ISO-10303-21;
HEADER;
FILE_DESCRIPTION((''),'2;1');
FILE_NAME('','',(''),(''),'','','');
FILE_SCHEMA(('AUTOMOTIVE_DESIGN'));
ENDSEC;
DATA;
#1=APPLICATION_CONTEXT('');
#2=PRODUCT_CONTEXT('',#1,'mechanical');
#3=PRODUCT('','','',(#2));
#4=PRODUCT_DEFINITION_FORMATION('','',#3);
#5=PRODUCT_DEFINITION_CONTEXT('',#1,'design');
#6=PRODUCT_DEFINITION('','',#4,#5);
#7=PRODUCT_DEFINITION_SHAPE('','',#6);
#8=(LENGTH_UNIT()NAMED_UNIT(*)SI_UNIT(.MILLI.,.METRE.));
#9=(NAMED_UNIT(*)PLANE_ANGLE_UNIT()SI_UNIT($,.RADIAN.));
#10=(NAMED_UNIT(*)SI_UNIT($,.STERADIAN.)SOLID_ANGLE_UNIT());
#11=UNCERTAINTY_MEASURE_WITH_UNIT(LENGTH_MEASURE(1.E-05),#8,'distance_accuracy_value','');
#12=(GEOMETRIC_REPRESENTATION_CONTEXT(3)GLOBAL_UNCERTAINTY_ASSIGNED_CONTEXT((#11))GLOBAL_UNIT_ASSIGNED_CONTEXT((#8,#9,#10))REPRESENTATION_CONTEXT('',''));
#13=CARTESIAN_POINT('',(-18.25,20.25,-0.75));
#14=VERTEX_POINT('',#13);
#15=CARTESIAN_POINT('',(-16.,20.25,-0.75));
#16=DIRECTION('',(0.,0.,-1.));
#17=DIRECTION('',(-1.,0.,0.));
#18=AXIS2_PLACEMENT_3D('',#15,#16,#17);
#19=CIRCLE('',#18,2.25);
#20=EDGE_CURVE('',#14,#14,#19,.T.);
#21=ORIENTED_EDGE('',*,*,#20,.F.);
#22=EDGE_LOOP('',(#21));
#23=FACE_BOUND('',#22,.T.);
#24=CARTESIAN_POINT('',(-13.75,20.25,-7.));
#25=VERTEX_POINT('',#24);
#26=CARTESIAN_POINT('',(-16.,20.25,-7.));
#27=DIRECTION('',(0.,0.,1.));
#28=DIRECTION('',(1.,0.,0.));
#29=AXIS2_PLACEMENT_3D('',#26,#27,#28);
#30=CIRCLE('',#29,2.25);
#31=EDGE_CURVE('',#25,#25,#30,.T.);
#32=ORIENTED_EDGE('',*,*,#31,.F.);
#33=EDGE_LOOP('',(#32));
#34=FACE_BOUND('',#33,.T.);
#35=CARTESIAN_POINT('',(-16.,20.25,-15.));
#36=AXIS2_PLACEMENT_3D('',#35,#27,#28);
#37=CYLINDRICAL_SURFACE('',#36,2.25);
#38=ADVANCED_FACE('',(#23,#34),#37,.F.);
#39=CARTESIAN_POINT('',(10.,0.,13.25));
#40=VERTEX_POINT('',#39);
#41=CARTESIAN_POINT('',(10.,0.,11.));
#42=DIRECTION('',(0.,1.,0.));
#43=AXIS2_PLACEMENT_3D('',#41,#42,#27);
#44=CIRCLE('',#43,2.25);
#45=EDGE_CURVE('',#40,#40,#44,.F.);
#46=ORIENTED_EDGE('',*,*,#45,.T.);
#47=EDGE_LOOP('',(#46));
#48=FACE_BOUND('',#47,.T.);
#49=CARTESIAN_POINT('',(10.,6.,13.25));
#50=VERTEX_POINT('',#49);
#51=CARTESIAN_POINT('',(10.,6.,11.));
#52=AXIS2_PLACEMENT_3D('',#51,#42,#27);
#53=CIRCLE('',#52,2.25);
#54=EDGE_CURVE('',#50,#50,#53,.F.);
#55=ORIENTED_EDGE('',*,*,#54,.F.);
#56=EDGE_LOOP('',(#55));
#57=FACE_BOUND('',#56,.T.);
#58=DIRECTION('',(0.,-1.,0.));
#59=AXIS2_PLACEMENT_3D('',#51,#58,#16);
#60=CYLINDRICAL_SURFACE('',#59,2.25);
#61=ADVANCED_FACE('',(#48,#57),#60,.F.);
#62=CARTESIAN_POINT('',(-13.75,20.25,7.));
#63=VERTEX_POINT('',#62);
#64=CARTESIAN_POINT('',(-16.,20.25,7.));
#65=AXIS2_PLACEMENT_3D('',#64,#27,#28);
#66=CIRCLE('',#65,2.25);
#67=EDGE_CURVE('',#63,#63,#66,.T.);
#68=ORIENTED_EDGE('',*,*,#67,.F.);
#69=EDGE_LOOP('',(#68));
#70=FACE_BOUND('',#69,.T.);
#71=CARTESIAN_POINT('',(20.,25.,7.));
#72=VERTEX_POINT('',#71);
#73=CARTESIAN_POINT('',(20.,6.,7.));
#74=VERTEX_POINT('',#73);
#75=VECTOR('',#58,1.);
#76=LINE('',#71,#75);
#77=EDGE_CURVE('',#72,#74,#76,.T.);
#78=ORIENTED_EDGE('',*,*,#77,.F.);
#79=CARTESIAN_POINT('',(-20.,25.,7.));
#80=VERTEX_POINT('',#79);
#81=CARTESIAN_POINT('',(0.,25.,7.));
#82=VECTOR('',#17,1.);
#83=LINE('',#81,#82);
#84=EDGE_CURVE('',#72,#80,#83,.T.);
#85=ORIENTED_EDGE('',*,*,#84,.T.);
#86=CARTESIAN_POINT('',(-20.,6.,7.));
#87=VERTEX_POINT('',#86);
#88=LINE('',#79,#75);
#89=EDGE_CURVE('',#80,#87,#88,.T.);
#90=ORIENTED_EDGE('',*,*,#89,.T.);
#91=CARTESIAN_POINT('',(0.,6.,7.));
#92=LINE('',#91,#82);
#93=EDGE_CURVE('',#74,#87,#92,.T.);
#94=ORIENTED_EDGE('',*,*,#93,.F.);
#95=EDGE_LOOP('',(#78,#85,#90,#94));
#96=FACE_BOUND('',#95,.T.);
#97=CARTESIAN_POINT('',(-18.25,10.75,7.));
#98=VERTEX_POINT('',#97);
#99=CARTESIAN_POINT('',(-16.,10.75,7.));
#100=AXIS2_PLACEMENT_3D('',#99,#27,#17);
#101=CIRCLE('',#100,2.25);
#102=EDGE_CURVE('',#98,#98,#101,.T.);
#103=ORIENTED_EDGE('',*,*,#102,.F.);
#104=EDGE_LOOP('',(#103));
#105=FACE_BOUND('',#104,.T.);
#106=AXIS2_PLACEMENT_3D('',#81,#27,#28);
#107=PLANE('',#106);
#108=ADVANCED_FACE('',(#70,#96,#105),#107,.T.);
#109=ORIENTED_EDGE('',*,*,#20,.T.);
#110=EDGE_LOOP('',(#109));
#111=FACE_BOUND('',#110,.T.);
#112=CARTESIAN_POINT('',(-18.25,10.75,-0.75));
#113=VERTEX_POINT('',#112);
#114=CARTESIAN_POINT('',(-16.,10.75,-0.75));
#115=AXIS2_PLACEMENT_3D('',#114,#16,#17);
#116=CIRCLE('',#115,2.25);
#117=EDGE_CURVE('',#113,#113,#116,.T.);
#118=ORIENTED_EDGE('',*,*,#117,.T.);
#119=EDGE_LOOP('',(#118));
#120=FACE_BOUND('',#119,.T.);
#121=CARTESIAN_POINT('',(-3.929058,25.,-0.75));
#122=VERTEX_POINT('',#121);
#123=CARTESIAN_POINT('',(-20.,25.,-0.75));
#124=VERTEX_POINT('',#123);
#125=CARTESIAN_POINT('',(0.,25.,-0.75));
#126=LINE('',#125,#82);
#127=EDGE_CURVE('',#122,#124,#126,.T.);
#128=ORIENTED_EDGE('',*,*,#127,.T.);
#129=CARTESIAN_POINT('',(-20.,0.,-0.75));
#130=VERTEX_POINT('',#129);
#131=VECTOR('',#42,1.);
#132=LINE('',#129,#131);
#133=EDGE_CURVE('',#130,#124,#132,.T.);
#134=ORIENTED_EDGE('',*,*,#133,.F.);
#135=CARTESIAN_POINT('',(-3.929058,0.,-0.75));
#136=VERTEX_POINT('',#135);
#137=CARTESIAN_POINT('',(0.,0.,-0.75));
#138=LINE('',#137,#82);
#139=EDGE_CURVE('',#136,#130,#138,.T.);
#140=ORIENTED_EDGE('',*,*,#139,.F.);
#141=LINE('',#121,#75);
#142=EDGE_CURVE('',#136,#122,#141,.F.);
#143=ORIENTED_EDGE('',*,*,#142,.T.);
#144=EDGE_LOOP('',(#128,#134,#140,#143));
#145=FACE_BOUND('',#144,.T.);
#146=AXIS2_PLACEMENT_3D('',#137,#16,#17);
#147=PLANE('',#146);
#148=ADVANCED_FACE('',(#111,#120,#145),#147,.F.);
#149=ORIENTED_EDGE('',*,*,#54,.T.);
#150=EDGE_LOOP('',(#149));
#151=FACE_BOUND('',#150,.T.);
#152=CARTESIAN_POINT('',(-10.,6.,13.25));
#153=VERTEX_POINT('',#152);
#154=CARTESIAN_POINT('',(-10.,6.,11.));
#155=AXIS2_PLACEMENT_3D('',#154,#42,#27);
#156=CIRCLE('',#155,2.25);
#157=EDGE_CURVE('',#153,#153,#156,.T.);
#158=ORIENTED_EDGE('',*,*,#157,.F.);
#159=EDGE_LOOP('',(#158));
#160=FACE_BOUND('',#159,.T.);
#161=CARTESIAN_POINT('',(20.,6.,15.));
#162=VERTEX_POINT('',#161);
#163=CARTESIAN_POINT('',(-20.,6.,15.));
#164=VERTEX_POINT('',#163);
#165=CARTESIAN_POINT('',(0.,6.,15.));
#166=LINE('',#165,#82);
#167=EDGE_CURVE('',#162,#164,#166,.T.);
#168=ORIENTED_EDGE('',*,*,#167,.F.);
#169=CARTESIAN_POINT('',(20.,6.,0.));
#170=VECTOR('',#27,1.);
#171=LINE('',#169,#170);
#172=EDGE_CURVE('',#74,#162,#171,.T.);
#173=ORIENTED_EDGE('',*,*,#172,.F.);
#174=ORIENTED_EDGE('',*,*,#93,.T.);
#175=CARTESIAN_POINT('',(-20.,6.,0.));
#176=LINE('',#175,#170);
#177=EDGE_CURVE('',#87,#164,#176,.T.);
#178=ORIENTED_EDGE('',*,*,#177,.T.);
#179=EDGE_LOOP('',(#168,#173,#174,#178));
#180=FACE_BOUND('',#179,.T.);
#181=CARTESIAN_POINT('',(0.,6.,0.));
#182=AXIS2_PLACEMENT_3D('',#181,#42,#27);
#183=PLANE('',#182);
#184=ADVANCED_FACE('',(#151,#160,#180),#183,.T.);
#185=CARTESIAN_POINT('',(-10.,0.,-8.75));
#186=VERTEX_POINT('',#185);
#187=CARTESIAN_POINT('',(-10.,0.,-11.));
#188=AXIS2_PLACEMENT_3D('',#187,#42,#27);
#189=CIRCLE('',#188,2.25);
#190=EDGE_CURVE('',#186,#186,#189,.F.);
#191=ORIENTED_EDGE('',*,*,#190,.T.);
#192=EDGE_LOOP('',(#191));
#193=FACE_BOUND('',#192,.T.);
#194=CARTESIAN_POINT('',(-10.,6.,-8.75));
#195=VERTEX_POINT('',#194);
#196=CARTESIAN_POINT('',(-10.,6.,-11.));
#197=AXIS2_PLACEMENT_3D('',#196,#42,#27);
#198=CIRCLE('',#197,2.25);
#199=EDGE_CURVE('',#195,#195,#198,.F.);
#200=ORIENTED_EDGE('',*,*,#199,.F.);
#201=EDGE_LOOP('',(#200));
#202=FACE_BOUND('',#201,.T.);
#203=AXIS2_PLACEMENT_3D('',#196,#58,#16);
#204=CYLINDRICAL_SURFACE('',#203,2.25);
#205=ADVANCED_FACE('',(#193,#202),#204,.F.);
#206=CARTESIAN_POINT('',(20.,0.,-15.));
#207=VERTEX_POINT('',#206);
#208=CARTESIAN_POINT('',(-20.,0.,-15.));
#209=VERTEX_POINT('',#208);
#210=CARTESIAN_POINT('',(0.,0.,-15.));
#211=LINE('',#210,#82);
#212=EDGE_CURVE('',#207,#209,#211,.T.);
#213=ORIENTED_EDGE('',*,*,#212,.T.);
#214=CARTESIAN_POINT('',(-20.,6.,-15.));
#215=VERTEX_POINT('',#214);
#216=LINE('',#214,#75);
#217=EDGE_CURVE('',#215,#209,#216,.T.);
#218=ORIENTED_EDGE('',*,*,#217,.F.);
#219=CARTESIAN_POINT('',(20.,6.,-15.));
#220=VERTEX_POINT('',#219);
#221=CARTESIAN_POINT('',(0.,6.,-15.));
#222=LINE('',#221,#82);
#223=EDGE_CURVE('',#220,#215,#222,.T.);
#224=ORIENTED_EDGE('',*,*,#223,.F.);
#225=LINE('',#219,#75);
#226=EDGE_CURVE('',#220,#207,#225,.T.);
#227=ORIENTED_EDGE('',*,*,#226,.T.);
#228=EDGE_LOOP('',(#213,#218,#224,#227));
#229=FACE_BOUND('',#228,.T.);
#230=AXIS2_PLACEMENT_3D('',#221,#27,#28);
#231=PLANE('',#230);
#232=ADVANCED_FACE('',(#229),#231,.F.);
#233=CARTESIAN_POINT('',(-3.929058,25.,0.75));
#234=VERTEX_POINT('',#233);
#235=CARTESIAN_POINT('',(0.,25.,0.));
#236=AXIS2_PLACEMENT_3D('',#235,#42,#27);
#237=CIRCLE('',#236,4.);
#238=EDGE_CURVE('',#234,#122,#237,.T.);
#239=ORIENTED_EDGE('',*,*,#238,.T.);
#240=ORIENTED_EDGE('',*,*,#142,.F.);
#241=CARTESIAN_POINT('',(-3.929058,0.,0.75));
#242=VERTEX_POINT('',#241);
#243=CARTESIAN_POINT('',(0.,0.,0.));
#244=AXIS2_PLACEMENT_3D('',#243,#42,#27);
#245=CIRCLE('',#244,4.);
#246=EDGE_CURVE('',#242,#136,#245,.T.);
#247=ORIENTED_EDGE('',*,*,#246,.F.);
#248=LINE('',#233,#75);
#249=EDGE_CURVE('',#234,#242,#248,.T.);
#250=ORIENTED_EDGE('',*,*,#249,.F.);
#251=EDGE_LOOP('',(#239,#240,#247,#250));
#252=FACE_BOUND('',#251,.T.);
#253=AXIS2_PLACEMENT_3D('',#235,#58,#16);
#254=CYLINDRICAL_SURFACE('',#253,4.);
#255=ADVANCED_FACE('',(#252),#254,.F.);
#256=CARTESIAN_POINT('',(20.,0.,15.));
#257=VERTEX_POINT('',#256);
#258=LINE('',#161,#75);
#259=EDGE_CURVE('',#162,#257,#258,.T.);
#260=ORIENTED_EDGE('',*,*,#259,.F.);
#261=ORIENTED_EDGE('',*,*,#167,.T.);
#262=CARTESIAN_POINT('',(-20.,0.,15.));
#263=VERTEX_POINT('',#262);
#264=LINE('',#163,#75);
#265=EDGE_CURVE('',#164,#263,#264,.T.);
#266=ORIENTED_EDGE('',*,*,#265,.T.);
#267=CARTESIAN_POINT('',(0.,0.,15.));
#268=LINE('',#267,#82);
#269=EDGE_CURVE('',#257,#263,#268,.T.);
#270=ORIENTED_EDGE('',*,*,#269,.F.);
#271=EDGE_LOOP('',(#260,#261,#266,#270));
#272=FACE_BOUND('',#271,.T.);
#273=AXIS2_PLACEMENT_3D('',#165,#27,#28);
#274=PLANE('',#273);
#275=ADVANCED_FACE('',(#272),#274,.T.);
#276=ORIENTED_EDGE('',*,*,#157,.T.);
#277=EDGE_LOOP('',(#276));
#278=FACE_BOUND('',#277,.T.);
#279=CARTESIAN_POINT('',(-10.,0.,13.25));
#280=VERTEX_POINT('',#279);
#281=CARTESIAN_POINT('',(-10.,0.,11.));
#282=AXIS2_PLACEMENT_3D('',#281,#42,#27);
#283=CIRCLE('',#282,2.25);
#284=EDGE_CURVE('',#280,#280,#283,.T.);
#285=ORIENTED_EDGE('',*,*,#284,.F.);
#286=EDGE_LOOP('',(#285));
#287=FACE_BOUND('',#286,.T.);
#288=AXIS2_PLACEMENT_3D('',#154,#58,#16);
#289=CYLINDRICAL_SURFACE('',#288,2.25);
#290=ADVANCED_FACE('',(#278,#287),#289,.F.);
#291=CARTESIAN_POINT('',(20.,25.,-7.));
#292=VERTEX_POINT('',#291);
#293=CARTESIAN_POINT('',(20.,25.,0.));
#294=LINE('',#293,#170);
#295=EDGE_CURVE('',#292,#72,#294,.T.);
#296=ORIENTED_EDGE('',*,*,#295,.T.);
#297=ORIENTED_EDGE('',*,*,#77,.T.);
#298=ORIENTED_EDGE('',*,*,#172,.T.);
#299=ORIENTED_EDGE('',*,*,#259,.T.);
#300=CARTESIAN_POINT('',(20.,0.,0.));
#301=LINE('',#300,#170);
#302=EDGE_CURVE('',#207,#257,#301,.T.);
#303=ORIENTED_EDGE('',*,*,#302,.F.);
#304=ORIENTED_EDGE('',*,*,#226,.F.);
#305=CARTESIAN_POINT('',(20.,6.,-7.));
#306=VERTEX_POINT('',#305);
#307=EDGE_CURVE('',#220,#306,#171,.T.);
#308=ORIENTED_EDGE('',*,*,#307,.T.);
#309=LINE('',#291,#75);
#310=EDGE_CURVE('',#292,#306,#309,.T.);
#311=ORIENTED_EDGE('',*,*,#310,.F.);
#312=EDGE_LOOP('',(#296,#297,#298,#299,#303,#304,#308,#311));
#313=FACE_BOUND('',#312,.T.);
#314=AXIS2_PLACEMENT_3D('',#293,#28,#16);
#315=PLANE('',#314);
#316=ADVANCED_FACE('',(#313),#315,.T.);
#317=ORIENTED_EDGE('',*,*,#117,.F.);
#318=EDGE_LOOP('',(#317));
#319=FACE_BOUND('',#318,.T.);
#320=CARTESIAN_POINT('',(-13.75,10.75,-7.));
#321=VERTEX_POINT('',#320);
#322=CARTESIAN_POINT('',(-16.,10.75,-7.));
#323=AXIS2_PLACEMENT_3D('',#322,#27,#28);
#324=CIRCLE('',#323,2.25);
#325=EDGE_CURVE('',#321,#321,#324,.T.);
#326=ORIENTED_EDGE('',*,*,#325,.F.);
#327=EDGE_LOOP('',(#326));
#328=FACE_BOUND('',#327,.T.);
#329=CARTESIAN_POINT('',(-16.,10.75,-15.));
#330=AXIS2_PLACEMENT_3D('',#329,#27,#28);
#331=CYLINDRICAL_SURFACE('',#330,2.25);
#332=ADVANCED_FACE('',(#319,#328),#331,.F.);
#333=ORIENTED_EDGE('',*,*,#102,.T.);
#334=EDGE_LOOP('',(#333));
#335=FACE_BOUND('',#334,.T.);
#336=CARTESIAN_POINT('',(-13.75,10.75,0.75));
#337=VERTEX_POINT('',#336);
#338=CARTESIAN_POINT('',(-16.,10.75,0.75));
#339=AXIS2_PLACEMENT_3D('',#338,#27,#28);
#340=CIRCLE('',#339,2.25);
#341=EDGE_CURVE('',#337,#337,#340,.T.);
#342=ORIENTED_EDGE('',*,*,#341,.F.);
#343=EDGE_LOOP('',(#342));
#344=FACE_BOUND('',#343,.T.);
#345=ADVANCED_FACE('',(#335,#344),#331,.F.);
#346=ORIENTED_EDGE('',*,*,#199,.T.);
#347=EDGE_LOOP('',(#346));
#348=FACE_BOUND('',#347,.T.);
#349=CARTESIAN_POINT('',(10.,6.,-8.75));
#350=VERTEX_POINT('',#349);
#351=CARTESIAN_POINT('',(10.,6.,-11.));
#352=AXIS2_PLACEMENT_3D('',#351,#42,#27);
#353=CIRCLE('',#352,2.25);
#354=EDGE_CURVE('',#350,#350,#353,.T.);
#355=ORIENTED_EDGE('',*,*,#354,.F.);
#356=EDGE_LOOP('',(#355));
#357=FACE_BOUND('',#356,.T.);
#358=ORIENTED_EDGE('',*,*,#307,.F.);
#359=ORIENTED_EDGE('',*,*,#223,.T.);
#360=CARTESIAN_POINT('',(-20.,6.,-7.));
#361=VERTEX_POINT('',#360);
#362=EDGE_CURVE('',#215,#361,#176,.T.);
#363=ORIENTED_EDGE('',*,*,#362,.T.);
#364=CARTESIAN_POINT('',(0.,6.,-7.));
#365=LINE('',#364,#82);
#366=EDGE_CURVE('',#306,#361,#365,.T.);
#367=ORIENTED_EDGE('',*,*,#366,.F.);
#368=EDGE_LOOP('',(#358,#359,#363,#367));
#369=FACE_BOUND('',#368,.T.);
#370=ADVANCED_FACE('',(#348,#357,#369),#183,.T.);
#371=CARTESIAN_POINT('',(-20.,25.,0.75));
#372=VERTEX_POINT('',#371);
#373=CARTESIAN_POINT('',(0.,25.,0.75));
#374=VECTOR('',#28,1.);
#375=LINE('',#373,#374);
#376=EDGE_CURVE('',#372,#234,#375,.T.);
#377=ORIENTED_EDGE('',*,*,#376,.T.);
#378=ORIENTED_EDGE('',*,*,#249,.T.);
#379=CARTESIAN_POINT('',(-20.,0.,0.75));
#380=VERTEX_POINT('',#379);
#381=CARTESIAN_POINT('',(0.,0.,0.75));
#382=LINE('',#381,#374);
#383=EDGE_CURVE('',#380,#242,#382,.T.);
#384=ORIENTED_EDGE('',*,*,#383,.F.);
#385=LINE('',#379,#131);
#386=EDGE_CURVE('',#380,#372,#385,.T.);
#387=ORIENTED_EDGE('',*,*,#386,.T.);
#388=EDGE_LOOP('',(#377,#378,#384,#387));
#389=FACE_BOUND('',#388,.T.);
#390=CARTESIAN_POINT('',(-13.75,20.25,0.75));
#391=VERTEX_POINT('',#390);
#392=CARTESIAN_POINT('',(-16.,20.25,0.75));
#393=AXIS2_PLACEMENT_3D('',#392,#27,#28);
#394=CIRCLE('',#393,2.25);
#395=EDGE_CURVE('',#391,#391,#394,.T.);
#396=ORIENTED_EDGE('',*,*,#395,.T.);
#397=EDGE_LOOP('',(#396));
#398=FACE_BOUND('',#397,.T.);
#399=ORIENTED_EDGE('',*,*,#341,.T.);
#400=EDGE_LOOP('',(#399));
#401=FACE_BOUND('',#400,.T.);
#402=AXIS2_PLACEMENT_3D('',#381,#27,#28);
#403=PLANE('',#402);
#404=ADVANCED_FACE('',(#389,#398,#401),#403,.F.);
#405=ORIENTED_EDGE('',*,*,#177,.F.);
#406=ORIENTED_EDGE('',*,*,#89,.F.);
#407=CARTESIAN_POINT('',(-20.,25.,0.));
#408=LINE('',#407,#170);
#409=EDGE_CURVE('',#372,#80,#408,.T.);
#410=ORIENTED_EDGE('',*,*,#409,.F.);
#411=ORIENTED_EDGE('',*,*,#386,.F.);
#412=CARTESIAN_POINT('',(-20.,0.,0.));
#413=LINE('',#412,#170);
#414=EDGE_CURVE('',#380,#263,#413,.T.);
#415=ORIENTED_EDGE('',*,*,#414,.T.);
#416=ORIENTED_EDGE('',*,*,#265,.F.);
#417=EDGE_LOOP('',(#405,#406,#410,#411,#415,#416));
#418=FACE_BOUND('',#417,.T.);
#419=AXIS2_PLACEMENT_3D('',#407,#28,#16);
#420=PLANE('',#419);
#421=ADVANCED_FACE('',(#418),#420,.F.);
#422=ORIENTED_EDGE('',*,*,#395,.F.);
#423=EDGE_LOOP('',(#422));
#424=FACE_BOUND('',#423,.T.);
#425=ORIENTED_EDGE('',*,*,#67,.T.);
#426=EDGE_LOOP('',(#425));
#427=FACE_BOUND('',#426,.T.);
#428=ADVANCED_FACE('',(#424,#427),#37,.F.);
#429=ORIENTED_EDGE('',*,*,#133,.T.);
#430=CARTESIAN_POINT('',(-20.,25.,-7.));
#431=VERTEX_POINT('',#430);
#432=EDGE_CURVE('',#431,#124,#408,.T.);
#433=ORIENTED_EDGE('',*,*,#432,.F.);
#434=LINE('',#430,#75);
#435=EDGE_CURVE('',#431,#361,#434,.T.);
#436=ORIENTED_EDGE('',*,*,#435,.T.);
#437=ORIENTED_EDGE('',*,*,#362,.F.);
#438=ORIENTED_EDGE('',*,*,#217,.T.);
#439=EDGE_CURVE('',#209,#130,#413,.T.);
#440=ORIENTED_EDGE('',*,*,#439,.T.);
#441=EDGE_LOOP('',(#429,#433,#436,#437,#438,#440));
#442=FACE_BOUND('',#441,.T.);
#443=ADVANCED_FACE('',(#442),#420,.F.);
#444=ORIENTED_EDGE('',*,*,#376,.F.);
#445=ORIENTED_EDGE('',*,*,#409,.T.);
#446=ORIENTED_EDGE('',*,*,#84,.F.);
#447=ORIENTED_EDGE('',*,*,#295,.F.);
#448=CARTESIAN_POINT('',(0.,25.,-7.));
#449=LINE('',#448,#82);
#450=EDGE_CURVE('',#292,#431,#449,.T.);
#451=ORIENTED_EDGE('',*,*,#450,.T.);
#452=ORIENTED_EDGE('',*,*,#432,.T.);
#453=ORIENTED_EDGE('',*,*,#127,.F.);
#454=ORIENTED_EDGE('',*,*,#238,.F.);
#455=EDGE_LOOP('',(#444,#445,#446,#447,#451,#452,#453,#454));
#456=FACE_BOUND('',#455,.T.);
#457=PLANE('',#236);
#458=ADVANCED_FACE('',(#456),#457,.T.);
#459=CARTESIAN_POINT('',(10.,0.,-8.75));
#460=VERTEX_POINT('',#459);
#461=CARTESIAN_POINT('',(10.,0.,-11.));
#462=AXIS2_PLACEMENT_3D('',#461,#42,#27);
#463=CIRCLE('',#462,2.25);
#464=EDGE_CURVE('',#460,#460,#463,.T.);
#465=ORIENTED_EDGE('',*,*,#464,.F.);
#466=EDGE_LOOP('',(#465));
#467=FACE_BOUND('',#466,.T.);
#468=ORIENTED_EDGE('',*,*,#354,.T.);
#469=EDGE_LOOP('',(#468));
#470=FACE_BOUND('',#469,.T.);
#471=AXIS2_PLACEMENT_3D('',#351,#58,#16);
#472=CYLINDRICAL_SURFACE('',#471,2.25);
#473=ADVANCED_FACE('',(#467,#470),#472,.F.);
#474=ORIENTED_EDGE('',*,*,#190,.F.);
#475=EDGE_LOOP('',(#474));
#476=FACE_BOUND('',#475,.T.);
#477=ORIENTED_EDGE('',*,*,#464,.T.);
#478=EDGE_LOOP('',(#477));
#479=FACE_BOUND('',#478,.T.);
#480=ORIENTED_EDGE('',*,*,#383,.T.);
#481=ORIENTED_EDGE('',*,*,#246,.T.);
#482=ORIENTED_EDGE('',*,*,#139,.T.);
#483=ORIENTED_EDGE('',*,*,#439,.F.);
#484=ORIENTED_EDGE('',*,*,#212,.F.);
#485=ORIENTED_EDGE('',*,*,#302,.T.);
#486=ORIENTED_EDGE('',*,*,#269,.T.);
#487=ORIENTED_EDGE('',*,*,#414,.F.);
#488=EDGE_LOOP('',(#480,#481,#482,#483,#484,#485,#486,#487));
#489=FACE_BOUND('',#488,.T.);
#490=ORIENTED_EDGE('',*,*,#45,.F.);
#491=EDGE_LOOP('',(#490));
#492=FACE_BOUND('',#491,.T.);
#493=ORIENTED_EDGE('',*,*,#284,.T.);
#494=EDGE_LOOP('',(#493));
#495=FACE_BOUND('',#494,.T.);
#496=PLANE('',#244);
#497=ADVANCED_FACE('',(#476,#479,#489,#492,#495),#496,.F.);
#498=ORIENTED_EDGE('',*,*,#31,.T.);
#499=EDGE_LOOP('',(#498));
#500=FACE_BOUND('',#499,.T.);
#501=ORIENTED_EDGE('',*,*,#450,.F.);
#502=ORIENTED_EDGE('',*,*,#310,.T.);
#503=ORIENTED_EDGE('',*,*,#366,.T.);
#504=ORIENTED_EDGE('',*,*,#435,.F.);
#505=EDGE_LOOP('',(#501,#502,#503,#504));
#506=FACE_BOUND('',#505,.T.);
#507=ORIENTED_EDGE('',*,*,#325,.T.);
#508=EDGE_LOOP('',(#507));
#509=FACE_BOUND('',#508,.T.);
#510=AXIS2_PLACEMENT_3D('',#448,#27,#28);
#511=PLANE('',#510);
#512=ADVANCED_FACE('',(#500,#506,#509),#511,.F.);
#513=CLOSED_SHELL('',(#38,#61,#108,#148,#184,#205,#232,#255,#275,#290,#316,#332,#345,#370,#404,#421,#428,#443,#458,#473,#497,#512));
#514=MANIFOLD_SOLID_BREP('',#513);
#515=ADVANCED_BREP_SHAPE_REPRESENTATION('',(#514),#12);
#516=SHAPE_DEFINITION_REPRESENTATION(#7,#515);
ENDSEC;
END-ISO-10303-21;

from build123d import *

# Parameters (mm, degrees)
SKETCH2_W               = 40
SKETCH2_H               = 14
SKETCH2_R               = 4
BOSS_EXTRUDE_WALL_DEPTH = 25
SKETCH2_3_W             = 40
SKETCH2_3_H             = 8
SKETCH2_3_R             = 2.25
BOSS_EXTRUDE2_DEPTH     = 6
SKETCH3_W               = 20
SKETCH3_H               = 1.5
CUT_EXTRUDE1_DEPTH      = 36.355339059
SKETCH4_R               = 2.25
CUT_EXTRUDE2_DEPTH      = 39.845849199


with BuildPart() as part:
    # Sketch2 → Boss-Extrude_wall (new body)
    with BuildSketch(Plane(origin=(0, 0, 0), x_dir=(1, 0, 0), z_dir=(0, 1, 0))):
        Rectangle(SKETCH2_W, SKETCH2_H)
        Circle(SKETCH2_R, mode=Mode.SUBTRACT)
    extrude(amount=BOSS_EXTRUDE_WALL_DEPTH)

    # Sketch2<3> → Boss-Extrude2 (add)
    # profile 1 of 2: a face of its own
    with BuildSketch(Plane(origin=(0, 0, 0), x_dir=(1, 0, 0), z_dir=(0, 1, 0))):
        with Locations((0, 11)):
            Rectangle(SKETCH2_3_W, SKETCH2_3_H)
        with Locations((-10, 11)):
            Circle(SKETCH2_3_R, mode=Mode.SUBTRACT)
        with Locations((10, 11)):
            Circle(SKETCH2_3_R, mode=Mode.SUBTRACT)
    # profile 2 of 2: a face of its own
    with BuildSketch(Plane(origin=(0, 0, 0), x_dir=(1, 0, 0), z_dir=(0, 1, 0))):
        with Locations((0, -11)):
            Rectangle(SKETCH2_3_W, SKETCH2_3_H)
        with Locations((-10, -11)):
            Circle(SKETCH2_3_R, mode=Mode.SUBTRACT)
        with Locations((10, -11)):
            Circle(SKETCH2_3_R, mode=Mode.SUBTRACT)
    extrude(amount=BOSS_EXTRUDE2_DEPTH)

    # Sketch3 → Cut-Extrude1 (cut, through all)
    with BuildSketch(Plane(origin=(0, 25, 0), x_dir=(1, 0, 0), z_dir=(0, 1, 0))):
        with Locations((-10, 0)):
            Rectangle(SKETCH3_W, SKETCH3_H)
    extrude(amount=-CUT_EXTRUDE1_DEPTH, mode=Mode.SUBTRACT)

    # Sketch4 → Cut-Extrude2 (cut, through all)
    with BuildSketch(Plane.XY.offset(7)):
        with Locations((-16, 20.25)):
            Circle(SKETCH4_R)
        with Locations((-16, 10.75)):
            Circle(SKETCH4_R)
    extrude(amount=-CUT_EXTRUDE2_DEPTH, mode=Mode.SUBTRACT)


solid = part.part
